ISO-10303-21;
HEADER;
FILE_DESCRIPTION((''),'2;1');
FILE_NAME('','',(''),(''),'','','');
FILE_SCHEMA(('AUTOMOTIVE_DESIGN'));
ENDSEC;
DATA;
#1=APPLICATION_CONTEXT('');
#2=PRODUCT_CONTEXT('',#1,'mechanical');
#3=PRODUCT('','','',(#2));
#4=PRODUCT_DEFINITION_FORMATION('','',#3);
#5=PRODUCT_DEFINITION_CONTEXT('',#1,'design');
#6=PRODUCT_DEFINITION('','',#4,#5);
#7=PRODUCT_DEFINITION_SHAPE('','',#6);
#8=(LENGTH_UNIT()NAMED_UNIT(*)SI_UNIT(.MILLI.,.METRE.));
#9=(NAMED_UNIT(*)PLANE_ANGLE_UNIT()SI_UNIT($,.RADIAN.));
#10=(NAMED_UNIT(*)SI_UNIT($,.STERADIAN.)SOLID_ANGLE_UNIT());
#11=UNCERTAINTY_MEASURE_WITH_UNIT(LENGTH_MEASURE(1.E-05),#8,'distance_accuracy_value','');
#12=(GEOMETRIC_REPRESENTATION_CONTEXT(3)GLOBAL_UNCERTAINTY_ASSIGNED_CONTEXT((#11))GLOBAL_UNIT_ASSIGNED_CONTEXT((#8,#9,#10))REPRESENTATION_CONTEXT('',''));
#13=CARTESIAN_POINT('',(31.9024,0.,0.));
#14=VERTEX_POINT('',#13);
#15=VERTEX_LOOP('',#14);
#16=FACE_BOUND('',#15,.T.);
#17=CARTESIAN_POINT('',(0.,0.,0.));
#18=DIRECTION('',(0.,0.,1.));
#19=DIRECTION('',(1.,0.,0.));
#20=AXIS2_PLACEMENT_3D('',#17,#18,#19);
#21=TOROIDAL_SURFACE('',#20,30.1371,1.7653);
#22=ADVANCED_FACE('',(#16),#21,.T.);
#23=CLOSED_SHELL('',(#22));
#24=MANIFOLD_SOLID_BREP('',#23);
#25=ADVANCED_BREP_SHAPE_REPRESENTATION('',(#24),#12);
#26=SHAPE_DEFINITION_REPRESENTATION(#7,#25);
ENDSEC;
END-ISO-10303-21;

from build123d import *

# Parameters (mm, degrees)
SKETCH1_R = 1.7653


with BuildPart() as part:
    # Sketch1 → Revolve1 (revolve)
    with BuildSketch(Plane(origin=(0, 0, 0), x_dir=(0, -1, 0), z_dir=(1, 0, 0))):
        with Locations((30.1371, 0)):
            Circle(SKETCH1_R)
    revolve(axis=Axis((0, 0, 1.7653), (0, 0, -1)))


solid = part.part
